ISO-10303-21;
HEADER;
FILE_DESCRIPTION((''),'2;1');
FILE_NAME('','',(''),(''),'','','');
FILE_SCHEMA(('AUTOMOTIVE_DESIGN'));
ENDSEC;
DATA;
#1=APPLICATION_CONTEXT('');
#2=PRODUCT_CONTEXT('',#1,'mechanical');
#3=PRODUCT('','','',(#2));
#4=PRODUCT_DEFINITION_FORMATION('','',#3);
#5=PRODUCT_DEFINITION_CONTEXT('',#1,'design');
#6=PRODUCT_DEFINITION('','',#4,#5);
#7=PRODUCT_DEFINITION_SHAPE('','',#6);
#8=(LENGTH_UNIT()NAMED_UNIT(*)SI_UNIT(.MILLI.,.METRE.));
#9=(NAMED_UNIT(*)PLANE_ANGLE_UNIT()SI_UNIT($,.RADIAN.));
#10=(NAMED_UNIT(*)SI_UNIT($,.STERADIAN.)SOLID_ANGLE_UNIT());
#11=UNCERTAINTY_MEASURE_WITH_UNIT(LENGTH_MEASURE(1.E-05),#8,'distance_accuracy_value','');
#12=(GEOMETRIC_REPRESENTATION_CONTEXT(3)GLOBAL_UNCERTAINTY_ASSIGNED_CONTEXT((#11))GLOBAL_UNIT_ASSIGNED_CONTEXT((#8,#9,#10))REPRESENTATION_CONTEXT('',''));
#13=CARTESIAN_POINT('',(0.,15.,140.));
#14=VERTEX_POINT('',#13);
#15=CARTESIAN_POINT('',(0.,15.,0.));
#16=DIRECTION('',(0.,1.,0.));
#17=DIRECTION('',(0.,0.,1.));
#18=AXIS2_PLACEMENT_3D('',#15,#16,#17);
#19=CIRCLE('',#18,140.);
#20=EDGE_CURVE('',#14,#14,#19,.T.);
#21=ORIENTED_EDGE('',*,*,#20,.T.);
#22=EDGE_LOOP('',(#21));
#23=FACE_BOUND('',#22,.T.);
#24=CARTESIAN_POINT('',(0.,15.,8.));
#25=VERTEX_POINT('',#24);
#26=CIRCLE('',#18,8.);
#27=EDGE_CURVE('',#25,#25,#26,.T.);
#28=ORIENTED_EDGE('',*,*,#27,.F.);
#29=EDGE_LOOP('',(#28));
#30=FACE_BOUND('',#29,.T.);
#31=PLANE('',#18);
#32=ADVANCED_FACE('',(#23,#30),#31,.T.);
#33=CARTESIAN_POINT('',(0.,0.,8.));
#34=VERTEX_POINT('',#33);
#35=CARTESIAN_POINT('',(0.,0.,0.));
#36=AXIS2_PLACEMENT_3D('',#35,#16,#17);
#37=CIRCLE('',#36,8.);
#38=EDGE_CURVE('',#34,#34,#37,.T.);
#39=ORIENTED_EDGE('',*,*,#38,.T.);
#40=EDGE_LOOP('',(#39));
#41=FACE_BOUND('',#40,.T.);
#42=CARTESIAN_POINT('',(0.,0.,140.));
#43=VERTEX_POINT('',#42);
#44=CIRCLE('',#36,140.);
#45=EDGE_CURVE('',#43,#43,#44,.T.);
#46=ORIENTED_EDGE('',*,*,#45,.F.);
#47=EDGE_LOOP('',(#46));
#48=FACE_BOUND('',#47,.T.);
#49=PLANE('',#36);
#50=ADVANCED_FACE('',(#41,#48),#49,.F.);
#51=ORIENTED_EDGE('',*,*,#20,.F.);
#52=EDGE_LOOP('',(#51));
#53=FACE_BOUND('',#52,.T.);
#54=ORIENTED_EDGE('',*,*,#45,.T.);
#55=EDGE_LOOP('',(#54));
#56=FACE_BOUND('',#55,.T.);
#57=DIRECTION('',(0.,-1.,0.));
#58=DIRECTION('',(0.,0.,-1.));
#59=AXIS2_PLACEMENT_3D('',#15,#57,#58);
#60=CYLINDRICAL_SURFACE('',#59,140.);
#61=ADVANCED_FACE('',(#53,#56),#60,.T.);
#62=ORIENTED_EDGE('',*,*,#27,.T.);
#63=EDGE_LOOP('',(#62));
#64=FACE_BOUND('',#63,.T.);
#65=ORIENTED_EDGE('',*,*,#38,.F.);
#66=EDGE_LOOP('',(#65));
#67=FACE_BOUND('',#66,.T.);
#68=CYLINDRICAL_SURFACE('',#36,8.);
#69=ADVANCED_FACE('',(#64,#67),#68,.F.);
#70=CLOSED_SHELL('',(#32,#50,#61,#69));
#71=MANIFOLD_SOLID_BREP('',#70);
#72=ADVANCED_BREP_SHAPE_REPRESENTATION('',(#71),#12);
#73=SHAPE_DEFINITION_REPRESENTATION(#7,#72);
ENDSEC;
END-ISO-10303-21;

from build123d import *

# Parameters (mm, degrees)
SKETCH2_R           = 140
BOSS_EXTRUDE1_DEPTH = 15
SKETCH3_R           = 8
CUT_EXTRUDE1_DEPTH  = 16


with BuildPart() as part:
    # Sketch2 → Boss-Extrude1 (new body)
    with BuildSketch(Plane(origin=(0, 0, 0), x_dir=(1, 0, 0), z_dir=(0, 1, 0))):
        Circle(SKETCH2_R)
    extrude(amount=BOSS_EXTRUDE1_DEPTH)

    # Sketch3 → Cut-Extrude1 (cut, through all)
    with BuildSketch(Plane(origin=(0, 15, 0), x_dir=(1, 0, 0), z_dir=(0, 1, 0))):
        Circle(SKETCH3_R)
    extrude(amount=-CUT_EXTRUDE1_DEPTH, mode=Mode.SUBTRACT)


solid = part.part
